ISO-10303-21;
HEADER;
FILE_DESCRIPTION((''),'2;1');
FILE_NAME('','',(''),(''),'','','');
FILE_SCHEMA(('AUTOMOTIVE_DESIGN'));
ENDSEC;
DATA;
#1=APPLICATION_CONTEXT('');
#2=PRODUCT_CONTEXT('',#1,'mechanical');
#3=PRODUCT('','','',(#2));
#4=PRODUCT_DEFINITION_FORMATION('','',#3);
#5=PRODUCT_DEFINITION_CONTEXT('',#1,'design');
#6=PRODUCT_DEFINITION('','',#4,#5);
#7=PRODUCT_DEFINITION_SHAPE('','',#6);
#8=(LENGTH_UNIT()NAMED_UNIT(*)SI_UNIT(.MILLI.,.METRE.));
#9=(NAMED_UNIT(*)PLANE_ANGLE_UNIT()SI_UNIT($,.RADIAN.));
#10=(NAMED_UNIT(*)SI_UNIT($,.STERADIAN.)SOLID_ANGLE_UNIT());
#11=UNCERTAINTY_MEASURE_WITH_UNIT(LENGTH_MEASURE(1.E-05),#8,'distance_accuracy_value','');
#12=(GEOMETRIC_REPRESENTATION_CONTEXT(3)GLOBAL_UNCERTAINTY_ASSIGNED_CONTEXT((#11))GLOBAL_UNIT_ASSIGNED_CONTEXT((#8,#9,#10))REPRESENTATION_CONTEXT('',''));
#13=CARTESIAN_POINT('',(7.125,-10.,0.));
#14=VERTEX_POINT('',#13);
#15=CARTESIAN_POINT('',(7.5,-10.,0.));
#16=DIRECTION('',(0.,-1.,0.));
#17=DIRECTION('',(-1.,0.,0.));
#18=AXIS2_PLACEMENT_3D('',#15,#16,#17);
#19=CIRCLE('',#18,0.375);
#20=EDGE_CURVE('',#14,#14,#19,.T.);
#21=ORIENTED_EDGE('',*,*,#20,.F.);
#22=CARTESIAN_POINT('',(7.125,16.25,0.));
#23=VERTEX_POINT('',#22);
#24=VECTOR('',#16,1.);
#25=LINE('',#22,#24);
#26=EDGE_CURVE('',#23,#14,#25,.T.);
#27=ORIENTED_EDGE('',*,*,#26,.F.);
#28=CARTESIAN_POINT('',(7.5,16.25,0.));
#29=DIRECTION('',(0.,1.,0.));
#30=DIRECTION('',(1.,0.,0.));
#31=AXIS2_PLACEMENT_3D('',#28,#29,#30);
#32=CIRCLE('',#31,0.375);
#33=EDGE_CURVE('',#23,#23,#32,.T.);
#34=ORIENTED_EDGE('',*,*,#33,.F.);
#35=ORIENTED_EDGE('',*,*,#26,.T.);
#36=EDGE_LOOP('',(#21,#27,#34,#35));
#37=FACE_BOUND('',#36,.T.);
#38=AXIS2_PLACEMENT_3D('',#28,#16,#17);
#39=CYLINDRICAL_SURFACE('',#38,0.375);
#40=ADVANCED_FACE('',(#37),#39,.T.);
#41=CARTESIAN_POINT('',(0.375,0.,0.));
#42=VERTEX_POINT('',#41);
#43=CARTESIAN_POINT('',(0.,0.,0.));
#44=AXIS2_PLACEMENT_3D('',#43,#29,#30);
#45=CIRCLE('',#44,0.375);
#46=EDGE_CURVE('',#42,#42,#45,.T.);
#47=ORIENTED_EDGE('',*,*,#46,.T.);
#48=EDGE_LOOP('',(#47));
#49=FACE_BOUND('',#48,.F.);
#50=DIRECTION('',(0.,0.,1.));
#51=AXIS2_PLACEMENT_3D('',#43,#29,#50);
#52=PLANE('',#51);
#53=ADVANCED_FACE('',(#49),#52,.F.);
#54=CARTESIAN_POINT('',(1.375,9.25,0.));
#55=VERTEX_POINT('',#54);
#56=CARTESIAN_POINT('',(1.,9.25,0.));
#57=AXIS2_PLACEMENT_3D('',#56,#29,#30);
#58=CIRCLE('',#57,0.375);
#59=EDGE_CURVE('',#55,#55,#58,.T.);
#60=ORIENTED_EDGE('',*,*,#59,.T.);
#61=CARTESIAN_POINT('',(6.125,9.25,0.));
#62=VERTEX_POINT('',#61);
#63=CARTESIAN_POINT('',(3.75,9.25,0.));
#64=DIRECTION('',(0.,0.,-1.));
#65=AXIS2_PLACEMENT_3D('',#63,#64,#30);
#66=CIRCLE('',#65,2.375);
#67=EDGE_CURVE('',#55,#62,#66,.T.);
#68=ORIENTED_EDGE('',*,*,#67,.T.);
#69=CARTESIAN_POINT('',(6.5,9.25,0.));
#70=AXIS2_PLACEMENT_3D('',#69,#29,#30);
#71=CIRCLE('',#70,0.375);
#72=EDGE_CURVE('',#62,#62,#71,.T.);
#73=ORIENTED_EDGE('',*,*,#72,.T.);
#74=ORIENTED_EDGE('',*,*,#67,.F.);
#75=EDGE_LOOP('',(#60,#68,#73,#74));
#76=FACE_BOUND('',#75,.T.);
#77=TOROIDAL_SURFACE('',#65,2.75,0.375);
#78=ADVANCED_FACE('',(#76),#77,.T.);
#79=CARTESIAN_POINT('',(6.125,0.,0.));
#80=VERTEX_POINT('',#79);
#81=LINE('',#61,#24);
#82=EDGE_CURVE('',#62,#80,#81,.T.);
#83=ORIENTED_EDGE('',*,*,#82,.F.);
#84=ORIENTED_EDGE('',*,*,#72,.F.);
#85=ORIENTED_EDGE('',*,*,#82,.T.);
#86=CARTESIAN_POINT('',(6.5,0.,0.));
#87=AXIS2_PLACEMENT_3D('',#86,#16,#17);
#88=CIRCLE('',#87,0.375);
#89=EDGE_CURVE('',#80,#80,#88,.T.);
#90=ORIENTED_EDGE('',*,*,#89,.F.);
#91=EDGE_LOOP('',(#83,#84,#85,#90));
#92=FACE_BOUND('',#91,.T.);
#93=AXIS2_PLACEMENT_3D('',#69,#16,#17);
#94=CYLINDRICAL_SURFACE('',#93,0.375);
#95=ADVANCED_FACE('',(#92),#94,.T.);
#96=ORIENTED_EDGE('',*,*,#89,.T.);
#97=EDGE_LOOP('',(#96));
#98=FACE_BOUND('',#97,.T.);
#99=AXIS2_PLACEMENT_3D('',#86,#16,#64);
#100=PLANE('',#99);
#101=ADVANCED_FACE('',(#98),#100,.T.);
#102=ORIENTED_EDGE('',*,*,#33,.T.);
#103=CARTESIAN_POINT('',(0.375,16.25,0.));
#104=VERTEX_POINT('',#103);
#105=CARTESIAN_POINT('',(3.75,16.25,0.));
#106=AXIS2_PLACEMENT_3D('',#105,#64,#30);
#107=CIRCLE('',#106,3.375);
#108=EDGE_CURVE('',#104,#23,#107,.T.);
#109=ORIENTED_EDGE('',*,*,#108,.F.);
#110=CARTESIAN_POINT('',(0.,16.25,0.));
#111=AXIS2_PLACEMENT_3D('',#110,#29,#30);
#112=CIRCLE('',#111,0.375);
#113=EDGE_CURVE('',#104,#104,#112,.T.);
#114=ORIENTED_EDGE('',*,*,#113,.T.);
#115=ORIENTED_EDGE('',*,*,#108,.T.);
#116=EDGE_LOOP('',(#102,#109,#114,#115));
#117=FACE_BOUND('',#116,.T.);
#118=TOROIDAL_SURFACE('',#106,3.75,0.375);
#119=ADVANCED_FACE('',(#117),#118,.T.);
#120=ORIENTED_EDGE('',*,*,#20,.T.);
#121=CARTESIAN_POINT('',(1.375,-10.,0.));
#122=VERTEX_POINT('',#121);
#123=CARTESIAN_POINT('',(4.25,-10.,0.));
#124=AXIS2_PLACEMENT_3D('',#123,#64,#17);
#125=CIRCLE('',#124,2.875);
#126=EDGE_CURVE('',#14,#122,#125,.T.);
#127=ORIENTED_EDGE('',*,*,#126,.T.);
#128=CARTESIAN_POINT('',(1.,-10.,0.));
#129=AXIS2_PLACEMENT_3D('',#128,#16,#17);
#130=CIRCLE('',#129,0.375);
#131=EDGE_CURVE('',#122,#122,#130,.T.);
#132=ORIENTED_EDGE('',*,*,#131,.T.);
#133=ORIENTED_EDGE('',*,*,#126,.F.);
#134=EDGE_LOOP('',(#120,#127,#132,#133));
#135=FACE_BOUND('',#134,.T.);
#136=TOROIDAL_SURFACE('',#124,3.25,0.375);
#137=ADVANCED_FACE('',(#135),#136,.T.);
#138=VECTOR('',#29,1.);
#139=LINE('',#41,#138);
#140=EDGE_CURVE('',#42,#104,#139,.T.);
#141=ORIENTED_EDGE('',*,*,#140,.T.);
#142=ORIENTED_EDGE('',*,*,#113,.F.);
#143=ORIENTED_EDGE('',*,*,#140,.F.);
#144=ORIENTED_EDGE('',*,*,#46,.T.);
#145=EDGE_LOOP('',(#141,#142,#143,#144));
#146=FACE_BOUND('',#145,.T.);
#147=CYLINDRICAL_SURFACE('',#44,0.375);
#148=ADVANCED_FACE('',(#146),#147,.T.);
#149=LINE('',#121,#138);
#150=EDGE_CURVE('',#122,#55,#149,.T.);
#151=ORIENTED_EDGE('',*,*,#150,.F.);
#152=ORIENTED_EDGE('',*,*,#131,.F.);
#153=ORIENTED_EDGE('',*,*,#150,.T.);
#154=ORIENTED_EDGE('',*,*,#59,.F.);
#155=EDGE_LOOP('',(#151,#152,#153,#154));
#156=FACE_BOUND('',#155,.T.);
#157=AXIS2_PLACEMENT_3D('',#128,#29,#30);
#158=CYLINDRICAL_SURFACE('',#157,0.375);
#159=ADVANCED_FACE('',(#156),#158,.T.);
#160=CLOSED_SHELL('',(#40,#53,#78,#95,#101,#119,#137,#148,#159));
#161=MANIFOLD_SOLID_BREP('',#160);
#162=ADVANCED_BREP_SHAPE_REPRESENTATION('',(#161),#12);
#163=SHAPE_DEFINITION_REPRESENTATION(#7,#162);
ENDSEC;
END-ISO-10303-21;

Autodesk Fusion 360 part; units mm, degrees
sketch "Sweep Path" plane through (0, 0, 0) normal (0, 0, 1) x (1, 0, 0)
  line L0 (0, 0) -> (0, 16.25)
  line L1 (0, 16.25) -> (7.5, 16.25) construction
  line L2 (7.5, 16.25) -> (7.5, -10)
  line L3 (7.5, -10) -> (1, -10) construction
  line L4 (1, -10) -> (1, 9.25)
  line L5 (1, 9.25) -> (6.5, 9.25) construction
  line L6 (6.5, 9.25) -> (6.5, 0)
  arc A0 (7.5, 16.25) -> (0, 16.25) centre (3.75, 16.25) ccw
  arc A1 (6.5, 9.25) -> (1, 9.25) centre (3.75, 9.25) ccw
  arc A2 (1, -10) -> (7.5, -10) centre (4.25, -10) ccw
  dimension "d1" = 16.25
  dimension "d2" = 7.5
  dimension "d3" = 26.25
  dimension "d4" = 6.5
  dimension "d5" = 19.25
  dimension "d6" = 5.5
  dimension "d7" = 9.25
sketch "Sketch2" plane through (0, 0, 0) normal (0, 1, 0) x (1, 0, 0)
  circle A0 centre (0, 0) radius 0.375
  dimension "d8" = 0.75
sweep "Sweep1" add profiles "Sketch2" path "Sweep Path" along L0 A0 L2 A2 L4 A1 L6 section 1
